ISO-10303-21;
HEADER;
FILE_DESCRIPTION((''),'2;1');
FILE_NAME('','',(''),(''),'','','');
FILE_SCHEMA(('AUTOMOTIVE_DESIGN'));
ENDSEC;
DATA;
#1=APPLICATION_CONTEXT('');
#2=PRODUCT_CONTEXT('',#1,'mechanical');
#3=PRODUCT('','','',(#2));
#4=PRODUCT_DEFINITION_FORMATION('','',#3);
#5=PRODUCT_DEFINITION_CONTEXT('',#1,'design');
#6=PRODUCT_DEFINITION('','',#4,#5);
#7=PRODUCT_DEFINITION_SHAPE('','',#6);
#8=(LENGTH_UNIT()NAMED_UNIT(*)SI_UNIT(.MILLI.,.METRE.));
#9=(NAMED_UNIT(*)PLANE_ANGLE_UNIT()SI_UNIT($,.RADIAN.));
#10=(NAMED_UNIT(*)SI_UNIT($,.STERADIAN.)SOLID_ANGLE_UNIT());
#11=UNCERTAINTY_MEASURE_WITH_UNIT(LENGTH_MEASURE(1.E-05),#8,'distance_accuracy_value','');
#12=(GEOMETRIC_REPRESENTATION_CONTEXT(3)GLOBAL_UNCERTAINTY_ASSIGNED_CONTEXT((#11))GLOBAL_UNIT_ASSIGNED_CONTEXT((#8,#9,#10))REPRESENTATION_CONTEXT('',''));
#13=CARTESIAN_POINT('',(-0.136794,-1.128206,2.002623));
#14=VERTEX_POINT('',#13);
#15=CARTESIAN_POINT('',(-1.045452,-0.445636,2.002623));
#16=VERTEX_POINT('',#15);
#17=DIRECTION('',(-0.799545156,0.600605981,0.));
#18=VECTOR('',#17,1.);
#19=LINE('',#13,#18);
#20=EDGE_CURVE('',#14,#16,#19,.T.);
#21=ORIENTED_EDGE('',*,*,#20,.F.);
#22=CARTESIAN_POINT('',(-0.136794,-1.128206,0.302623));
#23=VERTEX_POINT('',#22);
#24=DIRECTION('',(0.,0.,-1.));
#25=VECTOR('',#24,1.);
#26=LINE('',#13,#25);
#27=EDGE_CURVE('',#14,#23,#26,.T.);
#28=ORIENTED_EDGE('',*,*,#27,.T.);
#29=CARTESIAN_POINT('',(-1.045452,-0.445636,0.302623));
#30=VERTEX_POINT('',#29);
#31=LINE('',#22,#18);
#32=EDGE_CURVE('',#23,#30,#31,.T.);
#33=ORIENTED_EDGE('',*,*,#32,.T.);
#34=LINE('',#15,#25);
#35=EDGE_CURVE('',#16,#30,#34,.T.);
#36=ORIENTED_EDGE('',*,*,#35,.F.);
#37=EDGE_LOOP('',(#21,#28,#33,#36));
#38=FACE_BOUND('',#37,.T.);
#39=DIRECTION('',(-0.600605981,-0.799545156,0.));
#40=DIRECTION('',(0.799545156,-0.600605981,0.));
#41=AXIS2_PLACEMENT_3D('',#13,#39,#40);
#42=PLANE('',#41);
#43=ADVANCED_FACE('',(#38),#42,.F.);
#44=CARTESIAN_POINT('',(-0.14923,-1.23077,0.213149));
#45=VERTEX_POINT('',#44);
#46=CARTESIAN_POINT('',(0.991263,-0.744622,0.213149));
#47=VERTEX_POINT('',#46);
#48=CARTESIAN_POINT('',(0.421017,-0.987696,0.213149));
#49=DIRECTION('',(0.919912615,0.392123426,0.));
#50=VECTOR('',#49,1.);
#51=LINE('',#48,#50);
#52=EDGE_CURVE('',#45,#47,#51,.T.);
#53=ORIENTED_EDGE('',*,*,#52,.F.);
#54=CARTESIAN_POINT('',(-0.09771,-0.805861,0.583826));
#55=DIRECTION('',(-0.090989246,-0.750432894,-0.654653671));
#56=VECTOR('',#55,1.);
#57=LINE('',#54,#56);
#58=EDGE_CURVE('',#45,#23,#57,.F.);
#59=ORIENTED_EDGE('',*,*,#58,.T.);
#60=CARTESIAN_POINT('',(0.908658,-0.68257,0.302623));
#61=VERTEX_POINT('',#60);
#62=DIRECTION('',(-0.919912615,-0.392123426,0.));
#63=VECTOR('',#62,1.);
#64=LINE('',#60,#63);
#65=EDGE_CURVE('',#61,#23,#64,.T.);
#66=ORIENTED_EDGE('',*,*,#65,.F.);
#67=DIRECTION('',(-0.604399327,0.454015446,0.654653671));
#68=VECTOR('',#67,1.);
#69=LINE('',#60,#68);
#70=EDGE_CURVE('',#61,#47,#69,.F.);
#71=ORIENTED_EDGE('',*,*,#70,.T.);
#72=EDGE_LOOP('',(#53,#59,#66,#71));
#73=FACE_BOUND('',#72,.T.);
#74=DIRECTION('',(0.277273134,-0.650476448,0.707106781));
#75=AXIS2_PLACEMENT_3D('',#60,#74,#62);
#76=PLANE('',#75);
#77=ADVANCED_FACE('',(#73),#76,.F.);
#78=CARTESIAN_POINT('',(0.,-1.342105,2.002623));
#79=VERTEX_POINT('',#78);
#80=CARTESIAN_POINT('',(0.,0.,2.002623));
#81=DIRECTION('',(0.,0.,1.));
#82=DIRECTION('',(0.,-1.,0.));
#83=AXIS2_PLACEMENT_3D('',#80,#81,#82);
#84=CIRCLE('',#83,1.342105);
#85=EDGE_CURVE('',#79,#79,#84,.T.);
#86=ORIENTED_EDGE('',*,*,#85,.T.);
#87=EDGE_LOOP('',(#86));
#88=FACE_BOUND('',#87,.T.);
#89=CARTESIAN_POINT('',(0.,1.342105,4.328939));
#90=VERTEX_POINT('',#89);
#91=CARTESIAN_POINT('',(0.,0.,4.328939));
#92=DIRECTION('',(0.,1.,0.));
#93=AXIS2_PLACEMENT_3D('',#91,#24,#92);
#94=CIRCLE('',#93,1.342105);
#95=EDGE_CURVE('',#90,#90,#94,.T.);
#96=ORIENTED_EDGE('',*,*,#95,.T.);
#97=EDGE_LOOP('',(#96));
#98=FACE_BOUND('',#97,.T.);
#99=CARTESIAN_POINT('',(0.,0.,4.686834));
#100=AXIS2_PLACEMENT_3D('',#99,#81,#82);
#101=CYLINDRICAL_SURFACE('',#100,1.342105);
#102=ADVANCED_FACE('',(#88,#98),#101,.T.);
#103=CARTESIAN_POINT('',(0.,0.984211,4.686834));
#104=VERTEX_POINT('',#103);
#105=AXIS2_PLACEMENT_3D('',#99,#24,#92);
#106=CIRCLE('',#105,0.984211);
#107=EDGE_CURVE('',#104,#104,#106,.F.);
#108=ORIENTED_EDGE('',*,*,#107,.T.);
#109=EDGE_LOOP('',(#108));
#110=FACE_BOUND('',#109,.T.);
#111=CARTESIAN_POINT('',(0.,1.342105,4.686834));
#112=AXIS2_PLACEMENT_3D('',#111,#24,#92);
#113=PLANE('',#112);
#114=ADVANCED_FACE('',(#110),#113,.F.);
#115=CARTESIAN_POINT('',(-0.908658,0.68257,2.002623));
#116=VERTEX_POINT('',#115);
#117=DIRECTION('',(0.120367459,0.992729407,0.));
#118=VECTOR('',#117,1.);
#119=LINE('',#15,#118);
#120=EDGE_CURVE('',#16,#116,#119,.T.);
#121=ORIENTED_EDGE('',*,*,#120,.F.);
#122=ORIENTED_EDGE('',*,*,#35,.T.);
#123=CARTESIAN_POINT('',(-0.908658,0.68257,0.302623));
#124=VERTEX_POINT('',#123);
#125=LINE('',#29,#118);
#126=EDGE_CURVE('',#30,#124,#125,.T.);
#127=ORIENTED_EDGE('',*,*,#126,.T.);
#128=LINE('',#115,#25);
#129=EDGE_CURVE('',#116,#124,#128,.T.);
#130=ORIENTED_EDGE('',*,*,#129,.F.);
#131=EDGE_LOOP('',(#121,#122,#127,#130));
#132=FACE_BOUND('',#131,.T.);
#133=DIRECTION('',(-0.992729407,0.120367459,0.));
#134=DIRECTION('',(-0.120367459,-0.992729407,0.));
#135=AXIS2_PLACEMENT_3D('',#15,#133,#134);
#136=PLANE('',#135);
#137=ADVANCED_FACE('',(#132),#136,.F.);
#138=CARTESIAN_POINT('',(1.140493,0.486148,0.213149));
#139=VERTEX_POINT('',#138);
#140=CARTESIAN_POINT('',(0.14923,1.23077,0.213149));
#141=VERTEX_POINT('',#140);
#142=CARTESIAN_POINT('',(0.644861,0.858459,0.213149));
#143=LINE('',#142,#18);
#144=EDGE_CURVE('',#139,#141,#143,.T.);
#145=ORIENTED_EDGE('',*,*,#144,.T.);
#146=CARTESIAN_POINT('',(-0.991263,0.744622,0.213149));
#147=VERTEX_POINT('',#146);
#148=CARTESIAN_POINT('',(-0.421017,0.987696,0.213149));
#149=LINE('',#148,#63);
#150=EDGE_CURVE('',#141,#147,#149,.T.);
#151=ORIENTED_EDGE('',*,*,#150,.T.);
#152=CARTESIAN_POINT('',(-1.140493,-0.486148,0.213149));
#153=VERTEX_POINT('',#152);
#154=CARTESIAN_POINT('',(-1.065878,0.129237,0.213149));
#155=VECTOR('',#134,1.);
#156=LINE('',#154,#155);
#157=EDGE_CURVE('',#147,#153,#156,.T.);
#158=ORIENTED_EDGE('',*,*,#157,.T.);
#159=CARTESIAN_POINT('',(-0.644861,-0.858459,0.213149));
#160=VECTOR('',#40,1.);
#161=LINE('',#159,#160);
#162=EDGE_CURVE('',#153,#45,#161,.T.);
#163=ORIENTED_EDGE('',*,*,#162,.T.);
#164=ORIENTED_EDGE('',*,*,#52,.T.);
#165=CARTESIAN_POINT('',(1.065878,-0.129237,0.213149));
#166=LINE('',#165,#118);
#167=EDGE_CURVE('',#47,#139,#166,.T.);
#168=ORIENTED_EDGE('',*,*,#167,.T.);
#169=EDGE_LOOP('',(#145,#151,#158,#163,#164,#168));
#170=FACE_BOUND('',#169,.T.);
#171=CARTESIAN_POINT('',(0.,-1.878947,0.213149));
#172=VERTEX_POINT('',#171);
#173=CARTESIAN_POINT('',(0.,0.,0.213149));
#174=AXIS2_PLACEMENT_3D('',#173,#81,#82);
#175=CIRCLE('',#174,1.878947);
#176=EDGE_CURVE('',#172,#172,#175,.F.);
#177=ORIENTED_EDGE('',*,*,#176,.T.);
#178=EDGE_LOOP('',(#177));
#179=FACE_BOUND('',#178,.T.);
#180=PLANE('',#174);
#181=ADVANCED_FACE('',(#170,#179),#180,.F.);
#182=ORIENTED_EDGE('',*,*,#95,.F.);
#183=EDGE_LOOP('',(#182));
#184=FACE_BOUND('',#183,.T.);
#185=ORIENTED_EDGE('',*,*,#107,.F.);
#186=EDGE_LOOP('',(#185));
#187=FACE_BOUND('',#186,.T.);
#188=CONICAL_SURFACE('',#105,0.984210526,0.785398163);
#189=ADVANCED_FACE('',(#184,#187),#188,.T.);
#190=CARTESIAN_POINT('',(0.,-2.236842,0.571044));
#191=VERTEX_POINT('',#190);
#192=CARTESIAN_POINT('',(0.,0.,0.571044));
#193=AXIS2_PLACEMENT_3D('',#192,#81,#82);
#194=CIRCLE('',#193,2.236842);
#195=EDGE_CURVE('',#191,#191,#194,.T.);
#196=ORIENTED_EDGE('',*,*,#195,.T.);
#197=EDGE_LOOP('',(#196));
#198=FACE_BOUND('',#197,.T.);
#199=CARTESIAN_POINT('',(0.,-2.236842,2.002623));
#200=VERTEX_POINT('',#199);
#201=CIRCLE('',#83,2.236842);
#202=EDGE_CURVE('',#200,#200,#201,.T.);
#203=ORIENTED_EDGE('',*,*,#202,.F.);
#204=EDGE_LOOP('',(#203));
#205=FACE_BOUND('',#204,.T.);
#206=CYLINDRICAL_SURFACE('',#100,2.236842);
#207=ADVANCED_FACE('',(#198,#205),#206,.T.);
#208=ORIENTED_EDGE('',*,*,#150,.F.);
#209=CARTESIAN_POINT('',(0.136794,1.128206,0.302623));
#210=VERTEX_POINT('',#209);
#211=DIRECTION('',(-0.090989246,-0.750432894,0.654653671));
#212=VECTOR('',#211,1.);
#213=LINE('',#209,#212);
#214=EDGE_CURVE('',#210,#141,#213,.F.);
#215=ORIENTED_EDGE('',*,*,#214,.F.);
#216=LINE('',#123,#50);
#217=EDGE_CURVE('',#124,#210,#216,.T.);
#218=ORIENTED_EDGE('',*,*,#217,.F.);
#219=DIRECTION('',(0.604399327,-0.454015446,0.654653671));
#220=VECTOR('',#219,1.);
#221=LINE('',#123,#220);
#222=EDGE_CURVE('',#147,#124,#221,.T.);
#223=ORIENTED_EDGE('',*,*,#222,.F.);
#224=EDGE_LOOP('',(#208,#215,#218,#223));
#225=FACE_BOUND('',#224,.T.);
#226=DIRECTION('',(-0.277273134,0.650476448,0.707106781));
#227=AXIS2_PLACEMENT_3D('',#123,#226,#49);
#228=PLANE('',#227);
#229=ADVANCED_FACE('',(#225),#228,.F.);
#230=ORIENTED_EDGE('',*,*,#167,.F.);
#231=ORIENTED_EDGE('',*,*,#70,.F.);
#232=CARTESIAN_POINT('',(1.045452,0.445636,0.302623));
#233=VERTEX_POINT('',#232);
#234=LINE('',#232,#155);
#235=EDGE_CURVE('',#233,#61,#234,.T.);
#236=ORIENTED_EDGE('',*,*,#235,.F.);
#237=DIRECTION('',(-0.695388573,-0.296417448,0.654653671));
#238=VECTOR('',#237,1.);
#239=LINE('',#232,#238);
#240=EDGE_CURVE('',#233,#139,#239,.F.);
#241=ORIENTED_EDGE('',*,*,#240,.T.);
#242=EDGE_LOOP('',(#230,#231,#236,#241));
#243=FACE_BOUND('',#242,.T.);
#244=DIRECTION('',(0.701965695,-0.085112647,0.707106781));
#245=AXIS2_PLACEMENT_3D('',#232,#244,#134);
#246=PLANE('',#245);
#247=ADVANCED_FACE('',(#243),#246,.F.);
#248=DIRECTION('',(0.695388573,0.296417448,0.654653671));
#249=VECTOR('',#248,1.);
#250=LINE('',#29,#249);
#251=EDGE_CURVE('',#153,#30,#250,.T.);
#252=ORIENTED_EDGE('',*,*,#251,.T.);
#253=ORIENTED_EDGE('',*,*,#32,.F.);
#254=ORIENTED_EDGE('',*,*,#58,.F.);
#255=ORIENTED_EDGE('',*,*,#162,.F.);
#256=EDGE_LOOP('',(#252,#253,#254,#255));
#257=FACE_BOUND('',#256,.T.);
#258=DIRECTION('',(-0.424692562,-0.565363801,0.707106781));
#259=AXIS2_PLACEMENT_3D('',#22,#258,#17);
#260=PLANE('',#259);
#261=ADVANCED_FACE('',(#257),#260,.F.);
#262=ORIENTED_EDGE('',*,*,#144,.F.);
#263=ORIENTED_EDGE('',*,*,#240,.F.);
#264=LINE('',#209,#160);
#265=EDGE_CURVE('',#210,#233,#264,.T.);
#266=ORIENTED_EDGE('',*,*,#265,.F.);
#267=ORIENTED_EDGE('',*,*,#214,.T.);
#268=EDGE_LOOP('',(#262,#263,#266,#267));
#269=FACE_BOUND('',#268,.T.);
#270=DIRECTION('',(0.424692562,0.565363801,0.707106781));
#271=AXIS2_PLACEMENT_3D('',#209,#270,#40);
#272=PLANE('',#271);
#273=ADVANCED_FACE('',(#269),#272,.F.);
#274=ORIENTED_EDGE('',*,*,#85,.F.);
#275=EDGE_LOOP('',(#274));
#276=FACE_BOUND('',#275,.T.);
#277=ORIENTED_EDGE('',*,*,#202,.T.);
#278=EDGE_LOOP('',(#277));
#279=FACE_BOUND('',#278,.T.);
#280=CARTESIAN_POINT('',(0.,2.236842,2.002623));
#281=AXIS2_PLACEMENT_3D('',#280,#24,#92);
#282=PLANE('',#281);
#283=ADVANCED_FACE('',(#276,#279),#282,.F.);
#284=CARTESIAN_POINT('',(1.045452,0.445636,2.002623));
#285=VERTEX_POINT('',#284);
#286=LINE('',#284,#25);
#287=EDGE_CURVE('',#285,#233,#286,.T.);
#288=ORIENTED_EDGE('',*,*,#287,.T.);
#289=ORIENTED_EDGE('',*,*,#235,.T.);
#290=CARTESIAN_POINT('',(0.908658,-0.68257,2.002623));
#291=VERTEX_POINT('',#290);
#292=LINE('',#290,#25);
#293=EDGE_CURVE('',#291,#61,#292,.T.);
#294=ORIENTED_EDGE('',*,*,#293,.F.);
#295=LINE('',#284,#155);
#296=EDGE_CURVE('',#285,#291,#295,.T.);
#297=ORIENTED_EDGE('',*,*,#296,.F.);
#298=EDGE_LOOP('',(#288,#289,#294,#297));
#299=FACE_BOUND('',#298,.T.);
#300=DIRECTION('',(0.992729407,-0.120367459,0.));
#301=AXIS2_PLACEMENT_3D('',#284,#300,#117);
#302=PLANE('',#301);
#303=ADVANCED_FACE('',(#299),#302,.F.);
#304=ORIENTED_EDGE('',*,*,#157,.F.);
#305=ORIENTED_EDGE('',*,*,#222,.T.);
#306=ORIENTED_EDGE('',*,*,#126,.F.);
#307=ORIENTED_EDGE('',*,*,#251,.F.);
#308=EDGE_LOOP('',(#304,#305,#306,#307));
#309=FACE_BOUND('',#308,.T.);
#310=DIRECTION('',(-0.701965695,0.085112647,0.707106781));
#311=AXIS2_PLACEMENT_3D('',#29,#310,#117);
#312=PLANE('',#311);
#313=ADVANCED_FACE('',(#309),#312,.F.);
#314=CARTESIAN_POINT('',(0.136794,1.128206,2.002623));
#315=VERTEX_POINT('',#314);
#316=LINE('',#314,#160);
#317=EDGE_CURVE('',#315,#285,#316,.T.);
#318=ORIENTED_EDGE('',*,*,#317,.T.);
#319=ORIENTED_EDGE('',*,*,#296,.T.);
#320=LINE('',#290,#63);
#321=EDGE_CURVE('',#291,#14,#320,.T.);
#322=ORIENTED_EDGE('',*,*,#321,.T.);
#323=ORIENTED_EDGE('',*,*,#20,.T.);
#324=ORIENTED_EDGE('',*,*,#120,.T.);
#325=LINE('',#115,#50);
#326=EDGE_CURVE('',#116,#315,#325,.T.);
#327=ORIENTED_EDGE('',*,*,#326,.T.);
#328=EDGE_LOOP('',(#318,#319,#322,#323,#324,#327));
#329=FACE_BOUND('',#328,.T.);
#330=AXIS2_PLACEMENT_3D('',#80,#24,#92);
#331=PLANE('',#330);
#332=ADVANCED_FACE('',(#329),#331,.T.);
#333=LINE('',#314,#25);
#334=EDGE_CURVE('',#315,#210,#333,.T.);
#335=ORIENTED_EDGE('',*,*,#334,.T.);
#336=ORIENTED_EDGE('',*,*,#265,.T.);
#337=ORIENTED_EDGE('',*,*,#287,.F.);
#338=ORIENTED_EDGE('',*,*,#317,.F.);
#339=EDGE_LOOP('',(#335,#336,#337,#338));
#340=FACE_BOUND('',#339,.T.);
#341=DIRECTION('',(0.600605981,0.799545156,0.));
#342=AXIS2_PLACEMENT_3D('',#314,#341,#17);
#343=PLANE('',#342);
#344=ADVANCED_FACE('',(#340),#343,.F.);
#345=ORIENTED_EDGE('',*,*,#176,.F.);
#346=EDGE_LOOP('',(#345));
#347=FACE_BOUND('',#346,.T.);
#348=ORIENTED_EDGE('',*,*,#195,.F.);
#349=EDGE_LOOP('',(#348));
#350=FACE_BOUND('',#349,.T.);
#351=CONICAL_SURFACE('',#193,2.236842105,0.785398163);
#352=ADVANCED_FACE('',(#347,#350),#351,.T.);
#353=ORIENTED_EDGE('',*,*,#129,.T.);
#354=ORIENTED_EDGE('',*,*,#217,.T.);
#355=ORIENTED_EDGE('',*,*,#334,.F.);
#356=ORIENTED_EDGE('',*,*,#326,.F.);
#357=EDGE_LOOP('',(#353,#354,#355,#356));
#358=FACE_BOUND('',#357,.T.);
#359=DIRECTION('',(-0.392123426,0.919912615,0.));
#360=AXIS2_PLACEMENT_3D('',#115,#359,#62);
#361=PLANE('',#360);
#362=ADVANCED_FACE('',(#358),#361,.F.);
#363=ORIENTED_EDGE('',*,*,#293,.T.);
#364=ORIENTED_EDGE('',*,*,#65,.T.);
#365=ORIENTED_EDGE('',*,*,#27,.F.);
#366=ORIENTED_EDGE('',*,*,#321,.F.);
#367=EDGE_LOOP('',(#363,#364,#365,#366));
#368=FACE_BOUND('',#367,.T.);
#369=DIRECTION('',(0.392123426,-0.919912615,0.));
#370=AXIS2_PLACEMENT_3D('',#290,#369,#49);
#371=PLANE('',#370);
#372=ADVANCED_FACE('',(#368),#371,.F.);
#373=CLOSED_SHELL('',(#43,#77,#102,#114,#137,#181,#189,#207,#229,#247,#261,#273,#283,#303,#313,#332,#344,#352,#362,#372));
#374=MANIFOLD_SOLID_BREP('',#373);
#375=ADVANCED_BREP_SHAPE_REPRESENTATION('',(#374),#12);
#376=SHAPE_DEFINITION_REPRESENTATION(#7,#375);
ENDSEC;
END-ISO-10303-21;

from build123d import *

# Parameters (mm, degrees)
CUT_EXTRUDE1_DEPTH = 2
CHAMFER1_SIZE      = 0.4
CHAMFER2_SIZE      = 0.1
SCALE_1_SCALE      = 0.894736842


with BuildPart() as part:
    # Sketch2 → Revolve1 (revolve)
    with BuildSketch(Plane(origin=(0, 0, 0), x_dir=(0, 0, -1), z_dir=(1, 0, 0))):
        Polygon((0, 2.5), (-2, 2.5), (-2, 1.5), (-5, 1.5), (-5, 0), (0, 0), align=None)
    revolve(axis=Axis((0, 0, 5), (0, 0, -1)))

    # Sketch3 → Cut-Extrude1 (cut)
    with BuildSketch(Plane(origin=(0, 0, 0), x_dir=(-1, 0, 0), z_dir=(0, 0, -1))):
        Polygon((1.168445951, -0.498063644), (1.015558744, 0.762872054), (-0.152887207, 1.260935698), (-1.168445951, 0.498063644), (-1.015558744, -0.762872054), (0.152887207, -1.260935698), align=None)
    extrude(amount=-CUT_EXTRUDE1_DEPTH, mode=Mode.SUBTRACT)

    # Chamfer1
    chamfer1_edges = [part.edges().sort_by_distance(p)[0] for p in [
        (0, -1.5, 5),
        (0, -2.5, 0),
    ]]
    chamfer(chamfer1_edges, length=CHAMFER1_SIZE)

    # Chamfer2
    chamfer2_edges = [part.edges().sort_by_distance(p)[0] for p in [
        (-0.660666579, -0.879499671, 0),
        (-1.092002347, 0.132404205, 0),
        (-0.431335769, 1.011903876, 0),
        (0.660666579, 0.879499671, 0),
        (1.092002347, -0.132404205, 0),
        (0.431335769, -1.011903876, 0),
    ]]
    chamfer(chamfer2_edges, length=CHAMFER2_SIZE)


with BuildPart() as part_1:
    # ｽｹｰﾙ1: scaled about (0, 0, 2.024919763)
    add(part.part.scale(SCALE_1_SCALE).moved(Location((0, 0, 0.213149449))))


solid = part_1.part
